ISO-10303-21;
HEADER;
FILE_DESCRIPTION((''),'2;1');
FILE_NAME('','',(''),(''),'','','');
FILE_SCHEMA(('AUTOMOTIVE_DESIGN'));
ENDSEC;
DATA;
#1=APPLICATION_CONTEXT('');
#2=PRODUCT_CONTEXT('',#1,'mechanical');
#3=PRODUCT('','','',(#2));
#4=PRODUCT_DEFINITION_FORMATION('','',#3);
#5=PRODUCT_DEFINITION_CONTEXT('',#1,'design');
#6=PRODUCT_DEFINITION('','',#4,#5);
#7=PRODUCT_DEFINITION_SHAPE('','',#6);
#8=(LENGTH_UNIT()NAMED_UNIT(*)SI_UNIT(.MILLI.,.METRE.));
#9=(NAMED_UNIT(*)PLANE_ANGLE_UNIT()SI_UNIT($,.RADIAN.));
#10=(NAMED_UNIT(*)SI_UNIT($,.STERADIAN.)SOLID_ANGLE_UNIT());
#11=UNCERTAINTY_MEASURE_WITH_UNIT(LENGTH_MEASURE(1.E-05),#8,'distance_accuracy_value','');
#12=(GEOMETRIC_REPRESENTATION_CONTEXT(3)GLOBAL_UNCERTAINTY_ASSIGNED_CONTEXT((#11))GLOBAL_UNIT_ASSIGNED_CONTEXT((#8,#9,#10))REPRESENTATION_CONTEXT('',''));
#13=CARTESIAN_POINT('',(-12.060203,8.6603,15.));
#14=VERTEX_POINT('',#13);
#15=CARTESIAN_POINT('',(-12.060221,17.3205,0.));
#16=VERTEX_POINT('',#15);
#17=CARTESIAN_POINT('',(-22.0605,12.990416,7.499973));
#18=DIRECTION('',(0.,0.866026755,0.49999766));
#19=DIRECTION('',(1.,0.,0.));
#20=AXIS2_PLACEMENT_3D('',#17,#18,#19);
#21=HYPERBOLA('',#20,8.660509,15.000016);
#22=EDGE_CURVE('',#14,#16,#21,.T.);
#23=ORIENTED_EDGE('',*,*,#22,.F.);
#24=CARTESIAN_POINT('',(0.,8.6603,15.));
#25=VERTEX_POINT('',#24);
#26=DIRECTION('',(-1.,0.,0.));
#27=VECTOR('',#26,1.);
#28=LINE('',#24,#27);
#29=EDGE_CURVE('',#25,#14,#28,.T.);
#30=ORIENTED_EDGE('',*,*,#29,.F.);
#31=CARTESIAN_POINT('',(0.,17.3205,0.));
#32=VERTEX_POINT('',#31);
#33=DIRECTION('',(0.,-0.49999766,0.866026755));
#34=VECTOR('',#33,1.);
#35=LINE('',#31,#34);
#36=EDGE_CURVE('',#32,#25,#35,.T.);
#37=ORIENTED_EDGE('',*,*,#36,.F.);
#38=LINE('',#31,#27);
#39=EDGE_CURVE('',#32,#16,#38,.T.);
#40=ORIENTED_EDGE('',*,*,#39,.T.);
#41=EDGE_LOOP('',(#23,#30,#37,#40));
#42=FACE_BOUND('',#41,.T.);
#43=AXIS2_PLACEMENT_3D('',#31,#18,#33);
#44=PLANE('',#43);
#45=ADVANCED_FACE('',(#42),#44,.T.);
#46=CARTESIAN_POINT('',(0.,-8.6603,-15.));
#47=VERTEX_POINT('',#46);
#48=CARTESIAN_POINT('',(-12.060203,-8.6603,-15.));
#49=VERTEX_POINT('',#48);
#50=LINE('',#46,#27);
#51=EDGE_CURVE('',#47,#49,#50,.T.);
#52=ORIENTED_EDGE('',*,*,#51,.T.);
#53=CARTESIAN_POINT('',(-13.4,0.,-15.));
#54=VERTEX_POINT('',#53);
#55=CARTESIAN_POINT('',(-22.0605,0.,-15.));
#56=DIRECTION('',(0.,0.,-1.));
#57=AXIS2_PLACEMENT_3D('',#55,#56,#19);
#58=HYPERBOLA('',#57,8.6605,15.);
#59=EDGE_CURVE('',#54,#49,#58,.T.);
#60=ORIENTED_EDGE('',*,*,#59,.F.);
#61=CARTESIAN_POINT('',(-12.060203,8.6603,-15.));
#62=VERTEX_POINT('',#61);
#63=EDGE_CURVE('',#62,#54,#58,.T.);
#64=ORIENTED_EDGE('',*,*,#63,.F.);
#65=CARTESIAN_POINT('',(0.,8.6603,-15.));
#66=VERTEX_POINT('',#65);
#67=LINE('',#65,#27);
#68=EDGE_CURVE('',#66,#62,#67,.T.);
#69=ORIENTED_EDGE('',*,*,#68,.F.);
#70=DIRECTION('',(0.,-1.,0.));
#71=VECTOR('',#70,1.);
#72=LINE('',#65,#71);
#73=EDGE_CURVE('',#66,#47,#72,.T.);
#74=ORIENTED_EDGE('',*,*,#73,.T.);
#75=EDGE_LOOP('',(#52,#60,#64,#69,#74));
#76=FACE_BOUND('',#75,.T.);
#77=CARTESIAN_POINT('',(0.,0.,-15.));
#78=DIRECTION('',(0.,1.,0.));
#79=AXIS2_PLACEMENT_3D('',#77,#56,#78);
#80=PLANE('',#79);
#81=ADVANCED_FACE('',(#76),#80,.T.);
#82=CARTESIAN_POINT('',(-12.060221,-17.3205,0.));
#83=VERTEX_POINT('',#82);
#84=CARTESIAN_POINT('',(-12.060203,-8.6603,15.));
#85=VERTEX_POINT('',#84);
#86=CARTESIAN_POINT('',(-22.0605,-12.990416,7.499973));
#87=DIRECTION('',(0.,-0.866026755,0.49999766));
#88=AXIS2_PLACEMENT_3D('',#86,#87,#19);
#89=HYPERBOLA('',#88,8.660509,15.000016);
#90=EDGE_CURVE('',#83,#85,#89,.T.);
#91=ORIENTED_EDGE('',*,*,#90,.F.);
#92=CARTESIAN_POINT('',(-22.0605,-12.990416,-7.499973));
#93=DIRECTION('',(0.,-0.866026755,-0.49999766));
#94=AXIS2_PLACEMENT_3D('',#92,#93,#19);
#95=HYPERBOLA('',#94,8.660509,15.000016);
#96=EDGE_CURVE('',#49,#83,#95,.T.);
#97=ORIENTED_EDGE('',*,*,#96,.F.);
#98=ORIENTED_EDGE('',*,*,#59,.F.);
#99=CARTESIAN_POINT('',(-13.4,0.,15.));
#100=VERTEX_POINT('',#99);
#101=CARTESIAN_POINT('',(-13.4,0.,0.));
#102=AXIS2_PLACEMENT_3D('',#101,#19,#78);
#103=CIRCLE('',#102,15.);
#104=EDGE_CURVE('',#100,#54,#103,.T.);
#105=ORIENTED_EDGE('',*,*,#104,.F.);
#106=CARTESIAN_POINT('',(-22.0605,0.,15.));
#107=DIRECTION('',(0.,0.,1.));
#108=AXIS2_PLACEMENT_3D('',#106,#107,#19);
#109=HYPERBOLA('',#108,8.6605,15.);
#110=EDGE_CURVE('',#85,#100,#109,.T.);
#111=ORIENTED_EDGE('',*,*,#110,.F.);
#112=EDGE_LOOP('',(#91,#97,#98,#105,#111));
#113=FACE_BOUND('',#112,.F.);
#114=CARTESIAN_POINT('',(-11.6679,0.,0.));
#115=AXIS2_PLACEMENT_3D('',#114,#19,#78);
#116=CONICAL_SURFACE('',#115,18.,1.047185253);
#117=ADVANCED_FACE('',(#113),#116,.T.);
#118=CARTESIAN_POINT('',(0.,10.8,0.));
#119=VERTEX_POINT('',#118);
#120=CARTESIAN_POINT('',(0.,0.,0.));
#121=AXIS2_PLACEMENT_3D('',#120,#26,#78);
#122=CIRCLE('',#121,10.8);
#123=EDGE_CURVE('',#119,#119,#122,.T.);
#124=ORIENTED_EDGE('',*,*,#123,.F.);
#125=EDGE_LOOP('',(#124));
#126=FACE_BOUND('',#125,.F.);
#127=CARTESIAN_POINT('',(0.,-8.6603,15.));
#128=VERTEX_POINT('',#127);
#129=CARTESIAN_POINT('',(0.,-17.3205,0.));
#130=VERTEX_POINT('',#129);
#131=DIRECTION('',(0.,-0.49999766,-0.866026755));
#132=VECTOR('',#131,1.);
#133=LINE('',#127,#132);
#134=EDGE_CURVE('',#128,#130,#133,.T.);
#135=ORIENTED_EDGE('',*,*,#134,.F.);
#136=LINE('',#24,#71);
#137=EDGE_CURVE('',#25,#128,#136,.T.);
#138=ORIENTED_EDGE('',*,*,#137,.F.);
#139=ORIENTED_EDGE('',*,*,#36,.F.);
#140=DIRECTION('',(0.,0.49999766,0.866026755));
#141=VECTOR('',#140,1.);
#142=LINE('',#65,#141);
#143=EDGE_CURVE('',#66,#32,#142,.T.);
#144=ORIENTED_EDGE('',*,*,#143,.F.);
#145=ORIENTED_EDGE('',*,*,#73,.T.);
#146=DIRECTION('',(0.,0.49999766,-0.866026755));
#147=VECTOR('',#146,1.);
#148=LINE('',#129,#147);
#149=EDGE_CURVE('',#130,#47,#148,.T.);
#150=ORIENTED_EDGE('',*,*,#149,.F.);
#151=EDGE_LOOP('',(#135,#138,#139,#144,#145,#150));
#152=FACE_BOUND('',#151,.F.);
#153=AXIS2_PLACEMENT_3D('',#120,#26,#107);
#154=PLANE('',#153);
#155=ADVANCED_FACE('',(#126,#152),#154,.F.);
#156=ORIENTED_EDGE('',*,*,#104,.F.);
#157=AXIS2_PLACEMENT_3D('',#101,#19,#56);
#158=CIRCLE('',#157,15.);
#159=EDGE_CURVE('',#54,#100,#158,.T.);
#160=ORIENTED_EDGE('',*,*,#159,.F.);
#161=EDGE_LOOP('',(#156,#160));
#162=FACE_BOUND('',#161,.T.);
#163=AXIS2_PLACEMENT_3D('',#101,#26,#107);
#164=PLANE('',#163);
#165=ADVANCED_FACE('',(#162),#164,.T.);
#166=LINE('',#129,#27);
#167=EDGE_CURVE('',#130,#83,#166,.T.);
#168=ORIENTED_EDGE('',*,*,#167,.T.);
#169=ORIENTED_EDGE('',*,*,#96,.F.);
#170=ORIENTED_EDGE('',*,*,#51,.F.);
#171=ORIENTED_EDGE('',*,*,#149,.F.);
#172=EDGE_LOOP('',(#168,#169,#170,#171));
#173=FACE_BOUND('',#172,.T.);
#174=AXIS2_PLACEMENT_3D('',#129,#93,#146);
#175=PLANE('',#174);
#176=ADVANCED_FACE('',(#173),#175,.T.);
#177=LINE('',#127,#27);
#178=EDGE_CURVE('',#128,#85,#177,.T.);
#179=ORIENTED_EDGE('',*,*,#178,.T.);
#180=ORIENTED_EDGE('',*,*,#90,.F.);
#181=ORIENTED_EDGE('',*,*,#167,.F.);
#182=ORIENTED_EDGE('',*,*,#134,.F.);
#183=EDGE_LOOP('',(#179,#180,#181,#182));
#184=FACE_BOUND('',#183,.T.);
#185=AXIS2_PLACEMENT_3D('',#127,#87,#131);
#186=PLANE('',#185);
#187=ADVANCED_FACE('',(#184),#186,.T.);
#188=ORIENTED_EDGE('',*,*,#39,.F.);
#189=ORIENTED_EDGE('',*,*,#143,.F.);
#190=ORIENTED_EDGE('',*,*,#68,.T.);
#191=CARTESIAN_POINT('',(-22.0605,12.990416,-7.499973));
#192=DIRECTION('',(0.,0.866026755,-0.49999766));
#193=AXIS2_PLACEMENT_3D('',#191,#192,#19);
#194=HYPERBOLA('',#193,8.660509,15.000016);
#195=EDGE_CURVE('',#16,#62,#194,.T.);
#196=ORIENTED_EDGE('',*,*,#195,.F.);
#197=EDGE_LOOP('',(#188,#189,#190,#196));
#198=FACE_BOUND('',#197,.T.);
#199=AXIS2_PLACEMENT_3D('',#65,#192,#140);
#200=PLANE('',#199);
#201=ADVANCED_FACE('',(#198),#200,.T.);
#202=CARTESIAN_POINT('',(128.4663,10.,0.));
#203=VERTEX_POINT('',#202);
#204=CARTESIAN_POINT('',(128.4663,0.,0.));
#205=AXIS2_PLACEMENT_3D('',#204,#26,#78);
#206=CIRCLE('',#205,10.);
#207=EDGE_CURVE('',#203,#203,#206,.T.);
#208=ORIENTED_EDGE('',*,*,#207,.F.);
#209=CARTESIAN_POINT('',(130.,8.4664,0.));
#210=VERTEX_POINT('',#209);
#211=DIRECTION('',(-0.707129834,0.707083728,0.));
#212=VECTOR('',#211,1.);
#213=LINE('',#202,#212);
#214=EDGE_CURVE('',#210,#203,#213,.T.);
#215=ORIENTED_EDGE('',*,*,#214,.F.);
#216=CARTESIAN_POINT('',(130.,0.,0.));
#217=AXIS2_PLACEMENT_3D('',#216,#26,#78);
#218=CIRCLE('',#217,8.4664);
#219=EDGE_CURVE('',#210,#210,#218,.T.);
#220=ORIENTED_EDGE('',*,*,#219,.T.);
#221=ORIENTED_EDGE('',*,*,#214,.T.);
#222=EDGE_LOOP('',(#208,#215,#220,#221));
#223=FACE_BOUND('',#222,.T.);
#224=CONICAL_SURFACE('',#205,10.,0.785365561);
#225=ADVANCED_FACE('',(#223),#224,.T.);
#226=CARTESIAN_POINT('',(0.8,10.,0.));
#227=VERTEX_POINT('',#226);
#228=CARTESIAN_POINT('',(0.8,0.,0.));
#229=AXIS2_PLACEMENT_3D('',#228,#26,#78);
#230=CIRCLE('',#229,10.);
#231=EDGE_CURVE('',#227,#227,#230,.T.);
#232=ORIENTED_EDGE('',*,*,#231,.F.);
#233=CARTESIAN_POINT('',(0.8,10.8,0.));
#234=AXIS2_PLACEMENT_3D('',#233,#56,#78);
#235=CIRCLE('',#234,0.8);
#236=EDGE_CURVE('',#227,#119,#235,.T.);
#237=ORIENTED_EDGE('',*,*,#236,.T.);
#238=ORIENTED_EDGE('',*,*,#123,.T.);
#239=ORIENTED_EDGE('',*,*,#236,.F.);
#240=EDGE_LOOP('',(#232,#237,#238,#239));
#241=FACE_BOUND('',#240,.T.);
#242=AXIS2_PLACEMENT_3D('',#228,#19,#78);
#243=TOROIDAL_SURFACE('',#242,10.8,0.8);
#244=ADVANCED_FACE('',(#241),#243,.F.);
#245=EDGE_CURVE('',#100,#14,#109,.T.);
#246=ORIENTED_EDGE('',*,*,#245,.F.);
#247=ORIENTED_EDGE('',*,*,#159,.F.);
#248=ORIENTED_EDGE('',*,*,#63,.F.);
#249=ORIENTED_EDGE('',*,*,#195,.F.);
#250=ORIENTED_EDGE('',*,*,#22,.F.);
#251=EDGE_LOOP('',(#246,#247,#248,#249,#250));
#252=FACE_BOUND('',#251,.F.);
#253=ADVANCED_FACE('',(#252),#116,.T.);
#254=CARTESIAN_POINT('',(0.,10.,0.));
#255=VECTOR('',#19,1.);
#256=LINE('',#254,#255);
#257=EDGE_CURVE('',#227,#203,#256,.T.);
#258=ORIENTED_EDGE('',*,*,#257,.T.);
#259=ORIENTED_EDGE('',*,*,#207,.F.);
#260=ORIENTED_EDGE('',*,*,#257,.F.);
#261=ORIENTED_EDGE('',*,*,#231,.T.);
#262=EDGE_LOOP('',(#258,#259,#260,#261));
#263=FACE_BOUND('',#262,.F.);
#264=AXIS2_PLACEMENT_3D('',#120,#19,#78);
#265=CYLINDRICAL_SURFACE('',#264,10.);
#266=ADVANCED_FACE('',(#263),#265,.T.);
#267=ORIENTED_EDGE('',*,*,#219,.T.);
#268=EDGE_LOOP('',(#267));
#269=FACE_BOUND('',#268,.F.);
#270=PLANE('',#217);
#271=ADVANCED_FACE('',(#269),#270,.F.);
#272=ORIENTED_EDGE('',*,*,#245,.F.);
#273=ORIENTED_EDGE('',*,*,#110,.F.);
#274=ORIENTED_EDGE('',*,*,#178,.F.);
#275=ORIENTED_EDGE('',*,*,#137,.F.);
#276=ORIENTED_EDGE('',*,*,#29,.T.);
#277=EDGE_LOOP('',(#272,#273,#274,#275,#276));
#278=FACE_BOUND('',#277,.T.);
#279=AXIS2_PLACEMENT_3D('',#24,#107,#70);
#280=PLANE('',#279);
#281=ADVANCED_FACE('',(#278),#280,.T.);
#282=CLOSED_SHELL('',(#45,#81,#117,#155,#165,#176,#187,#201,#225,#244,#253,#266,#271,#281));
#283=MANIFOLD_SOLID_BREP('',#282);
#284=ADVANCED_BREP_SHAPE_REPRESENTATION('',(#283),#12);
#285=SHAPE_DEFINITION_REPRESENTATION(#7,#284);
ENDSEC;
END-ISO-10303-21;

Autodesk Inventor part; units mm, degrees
ref_plane "YZ Plane" through (0, 0, 0) normal (1, 0, 0) x (0, 1, 0)
ref_plane "XZ Plane" through (0, 0, 0) normal (0, 1, 0) x (-1, 0, 0)
sketch "Sketch1" plane through (0, 0, 0) normal (0, 0, 1) x (1, 0, 0)
  line L0 (0, 10) -> (130, 10)
  line L1 (130, 10) -> (130, 0)
  line L2 (130, 0) -> (0, 0)
  line L3 (-26, 0) -> (156, 0) projected
  line L4 (0, -2) -> (0, 12) projected
  line L5 (0, 10) -> (0, 0)
  dimension "d2" = 20
  dimension "d59" = 130
revolve "Body" add sketch "Sketch1" angle 360 about axis through (130, 0, 0) along (-1, 0, 0)
sketch "Sketch2" plane through (0, 0, 0) normal (-1, 0, 0) x (0, 0, 1)
  line L0 (0, 17.3205) -> (15, 8.6603)
  line L1 (15, 8.6603) -> (15, -8.6603)
  line L2 (15, -8.6603) -> (0, -17.3205)
  line L3 (0, -17.3205) -> (-15, -8.6603)
  line L4 (-15, -8.6603) -> (-15, 8.6603)
  line L5 (-15, 8.6603) -> (0, 17.3205)
  line L6 (-21, 0) -> (21, 0) projected
  line L7 (0, 24.2487) -> (0, -24.2487) projected
  point P0 (0, 0)
  point P1 (0, 0)
  dimension "d11" = 30
extrude "Head" add sketch "Sketch2" along normal blind 13.4
sketch "Sketch4" plane through (0, 0, 0) normal (0, 0, 1) x (1, 0, 0)
  line L0 (-11.6679, 18) -> (-13.4, 15)
  line L1 (-1.1, 0) -> (-0.234, 0)
  line L2 (-16.0332, 0) -> (2.3992, 0) projected
  line L3 (-13.4, 18) -> (-11.6679, 18)
  line L4 (-13.4, 15) -> (-13.4, 18)
  line L5 (0, 21.6) -> (0, -3.6) projected
  dimension "d65" = 30
  dimension "d67" = 30
  dimension "d68" = 36
  dimension "d69" = 13.4
revolve "Chamfer1" cut sketch "Sketch4" angle 360 about axis through (-1.1, 0, 0) along (1, 0, 0)
thread "Thread" size "M20x2.5" class "6g" standard "ISO Metric profile" length 52
chamfer "Chamfer2" distance 1.5336 distance2 1.5337 1 edges at (130, -10, 0) measured on face at (130, -2.6738, -2.9356)
fillet "Fillet" radius 0.8 1 edges at (0, -10, 0)
ref_plane "Work Plane1" through (1.525, 0, 0) normal (0, 0, 1) x (1, 0, 0)
equation "\"d2\" = GD"
equation "\"d59\" = NLG"
equation "\"d11\" = SW"
equation "\"d3\" = KOH"
equation "\"d15\" = GEL"
equation "\"d6\" = -0.5 * SPD + 0.5 * GD"
equation "\"d71\" = RR1"
equation "\"d65\" = SW"
equation "\"d67\" = ANG1"
equation "\"d68\" = 1.2 * SW"
equation "\"d69\" = KOH"
equation "\"NLG\" = 130"
equation "\"GD\" = NND"
equation "\"KOH\" = 13.4"
equation "\"GEL\" = 52"
equation "\"SW\" = 30"
equation "\"SPD\" = NND - 1.2269 * PTC"
equation "\"SD\" = 0"
equation "\"ANG1\" = 30deg"
equation "\"GAL\" = 0.61345 * PTC"
equation "\"GUL\" = 0.61345 * PTC"
equation "\"RR\" = 0.1"
equation "\"RR1\" = 0.8"
equation "\"GD1\" = THREADDIA - 1.2269 * PTC"
equation "\"TOA\" = 30deg"
equation "\"PTC\" = 2.5"
equation "\"KOH1\" = 8.8"
equation "\"E0\" = 1.155 * SW"
equation "\"NND\" = 20"
equation "\"THREADDIA\" = 20"
properties part number "ANSI B18.2.3.5M - M20 x 2,5 x 130" material "Steel, Mild"
